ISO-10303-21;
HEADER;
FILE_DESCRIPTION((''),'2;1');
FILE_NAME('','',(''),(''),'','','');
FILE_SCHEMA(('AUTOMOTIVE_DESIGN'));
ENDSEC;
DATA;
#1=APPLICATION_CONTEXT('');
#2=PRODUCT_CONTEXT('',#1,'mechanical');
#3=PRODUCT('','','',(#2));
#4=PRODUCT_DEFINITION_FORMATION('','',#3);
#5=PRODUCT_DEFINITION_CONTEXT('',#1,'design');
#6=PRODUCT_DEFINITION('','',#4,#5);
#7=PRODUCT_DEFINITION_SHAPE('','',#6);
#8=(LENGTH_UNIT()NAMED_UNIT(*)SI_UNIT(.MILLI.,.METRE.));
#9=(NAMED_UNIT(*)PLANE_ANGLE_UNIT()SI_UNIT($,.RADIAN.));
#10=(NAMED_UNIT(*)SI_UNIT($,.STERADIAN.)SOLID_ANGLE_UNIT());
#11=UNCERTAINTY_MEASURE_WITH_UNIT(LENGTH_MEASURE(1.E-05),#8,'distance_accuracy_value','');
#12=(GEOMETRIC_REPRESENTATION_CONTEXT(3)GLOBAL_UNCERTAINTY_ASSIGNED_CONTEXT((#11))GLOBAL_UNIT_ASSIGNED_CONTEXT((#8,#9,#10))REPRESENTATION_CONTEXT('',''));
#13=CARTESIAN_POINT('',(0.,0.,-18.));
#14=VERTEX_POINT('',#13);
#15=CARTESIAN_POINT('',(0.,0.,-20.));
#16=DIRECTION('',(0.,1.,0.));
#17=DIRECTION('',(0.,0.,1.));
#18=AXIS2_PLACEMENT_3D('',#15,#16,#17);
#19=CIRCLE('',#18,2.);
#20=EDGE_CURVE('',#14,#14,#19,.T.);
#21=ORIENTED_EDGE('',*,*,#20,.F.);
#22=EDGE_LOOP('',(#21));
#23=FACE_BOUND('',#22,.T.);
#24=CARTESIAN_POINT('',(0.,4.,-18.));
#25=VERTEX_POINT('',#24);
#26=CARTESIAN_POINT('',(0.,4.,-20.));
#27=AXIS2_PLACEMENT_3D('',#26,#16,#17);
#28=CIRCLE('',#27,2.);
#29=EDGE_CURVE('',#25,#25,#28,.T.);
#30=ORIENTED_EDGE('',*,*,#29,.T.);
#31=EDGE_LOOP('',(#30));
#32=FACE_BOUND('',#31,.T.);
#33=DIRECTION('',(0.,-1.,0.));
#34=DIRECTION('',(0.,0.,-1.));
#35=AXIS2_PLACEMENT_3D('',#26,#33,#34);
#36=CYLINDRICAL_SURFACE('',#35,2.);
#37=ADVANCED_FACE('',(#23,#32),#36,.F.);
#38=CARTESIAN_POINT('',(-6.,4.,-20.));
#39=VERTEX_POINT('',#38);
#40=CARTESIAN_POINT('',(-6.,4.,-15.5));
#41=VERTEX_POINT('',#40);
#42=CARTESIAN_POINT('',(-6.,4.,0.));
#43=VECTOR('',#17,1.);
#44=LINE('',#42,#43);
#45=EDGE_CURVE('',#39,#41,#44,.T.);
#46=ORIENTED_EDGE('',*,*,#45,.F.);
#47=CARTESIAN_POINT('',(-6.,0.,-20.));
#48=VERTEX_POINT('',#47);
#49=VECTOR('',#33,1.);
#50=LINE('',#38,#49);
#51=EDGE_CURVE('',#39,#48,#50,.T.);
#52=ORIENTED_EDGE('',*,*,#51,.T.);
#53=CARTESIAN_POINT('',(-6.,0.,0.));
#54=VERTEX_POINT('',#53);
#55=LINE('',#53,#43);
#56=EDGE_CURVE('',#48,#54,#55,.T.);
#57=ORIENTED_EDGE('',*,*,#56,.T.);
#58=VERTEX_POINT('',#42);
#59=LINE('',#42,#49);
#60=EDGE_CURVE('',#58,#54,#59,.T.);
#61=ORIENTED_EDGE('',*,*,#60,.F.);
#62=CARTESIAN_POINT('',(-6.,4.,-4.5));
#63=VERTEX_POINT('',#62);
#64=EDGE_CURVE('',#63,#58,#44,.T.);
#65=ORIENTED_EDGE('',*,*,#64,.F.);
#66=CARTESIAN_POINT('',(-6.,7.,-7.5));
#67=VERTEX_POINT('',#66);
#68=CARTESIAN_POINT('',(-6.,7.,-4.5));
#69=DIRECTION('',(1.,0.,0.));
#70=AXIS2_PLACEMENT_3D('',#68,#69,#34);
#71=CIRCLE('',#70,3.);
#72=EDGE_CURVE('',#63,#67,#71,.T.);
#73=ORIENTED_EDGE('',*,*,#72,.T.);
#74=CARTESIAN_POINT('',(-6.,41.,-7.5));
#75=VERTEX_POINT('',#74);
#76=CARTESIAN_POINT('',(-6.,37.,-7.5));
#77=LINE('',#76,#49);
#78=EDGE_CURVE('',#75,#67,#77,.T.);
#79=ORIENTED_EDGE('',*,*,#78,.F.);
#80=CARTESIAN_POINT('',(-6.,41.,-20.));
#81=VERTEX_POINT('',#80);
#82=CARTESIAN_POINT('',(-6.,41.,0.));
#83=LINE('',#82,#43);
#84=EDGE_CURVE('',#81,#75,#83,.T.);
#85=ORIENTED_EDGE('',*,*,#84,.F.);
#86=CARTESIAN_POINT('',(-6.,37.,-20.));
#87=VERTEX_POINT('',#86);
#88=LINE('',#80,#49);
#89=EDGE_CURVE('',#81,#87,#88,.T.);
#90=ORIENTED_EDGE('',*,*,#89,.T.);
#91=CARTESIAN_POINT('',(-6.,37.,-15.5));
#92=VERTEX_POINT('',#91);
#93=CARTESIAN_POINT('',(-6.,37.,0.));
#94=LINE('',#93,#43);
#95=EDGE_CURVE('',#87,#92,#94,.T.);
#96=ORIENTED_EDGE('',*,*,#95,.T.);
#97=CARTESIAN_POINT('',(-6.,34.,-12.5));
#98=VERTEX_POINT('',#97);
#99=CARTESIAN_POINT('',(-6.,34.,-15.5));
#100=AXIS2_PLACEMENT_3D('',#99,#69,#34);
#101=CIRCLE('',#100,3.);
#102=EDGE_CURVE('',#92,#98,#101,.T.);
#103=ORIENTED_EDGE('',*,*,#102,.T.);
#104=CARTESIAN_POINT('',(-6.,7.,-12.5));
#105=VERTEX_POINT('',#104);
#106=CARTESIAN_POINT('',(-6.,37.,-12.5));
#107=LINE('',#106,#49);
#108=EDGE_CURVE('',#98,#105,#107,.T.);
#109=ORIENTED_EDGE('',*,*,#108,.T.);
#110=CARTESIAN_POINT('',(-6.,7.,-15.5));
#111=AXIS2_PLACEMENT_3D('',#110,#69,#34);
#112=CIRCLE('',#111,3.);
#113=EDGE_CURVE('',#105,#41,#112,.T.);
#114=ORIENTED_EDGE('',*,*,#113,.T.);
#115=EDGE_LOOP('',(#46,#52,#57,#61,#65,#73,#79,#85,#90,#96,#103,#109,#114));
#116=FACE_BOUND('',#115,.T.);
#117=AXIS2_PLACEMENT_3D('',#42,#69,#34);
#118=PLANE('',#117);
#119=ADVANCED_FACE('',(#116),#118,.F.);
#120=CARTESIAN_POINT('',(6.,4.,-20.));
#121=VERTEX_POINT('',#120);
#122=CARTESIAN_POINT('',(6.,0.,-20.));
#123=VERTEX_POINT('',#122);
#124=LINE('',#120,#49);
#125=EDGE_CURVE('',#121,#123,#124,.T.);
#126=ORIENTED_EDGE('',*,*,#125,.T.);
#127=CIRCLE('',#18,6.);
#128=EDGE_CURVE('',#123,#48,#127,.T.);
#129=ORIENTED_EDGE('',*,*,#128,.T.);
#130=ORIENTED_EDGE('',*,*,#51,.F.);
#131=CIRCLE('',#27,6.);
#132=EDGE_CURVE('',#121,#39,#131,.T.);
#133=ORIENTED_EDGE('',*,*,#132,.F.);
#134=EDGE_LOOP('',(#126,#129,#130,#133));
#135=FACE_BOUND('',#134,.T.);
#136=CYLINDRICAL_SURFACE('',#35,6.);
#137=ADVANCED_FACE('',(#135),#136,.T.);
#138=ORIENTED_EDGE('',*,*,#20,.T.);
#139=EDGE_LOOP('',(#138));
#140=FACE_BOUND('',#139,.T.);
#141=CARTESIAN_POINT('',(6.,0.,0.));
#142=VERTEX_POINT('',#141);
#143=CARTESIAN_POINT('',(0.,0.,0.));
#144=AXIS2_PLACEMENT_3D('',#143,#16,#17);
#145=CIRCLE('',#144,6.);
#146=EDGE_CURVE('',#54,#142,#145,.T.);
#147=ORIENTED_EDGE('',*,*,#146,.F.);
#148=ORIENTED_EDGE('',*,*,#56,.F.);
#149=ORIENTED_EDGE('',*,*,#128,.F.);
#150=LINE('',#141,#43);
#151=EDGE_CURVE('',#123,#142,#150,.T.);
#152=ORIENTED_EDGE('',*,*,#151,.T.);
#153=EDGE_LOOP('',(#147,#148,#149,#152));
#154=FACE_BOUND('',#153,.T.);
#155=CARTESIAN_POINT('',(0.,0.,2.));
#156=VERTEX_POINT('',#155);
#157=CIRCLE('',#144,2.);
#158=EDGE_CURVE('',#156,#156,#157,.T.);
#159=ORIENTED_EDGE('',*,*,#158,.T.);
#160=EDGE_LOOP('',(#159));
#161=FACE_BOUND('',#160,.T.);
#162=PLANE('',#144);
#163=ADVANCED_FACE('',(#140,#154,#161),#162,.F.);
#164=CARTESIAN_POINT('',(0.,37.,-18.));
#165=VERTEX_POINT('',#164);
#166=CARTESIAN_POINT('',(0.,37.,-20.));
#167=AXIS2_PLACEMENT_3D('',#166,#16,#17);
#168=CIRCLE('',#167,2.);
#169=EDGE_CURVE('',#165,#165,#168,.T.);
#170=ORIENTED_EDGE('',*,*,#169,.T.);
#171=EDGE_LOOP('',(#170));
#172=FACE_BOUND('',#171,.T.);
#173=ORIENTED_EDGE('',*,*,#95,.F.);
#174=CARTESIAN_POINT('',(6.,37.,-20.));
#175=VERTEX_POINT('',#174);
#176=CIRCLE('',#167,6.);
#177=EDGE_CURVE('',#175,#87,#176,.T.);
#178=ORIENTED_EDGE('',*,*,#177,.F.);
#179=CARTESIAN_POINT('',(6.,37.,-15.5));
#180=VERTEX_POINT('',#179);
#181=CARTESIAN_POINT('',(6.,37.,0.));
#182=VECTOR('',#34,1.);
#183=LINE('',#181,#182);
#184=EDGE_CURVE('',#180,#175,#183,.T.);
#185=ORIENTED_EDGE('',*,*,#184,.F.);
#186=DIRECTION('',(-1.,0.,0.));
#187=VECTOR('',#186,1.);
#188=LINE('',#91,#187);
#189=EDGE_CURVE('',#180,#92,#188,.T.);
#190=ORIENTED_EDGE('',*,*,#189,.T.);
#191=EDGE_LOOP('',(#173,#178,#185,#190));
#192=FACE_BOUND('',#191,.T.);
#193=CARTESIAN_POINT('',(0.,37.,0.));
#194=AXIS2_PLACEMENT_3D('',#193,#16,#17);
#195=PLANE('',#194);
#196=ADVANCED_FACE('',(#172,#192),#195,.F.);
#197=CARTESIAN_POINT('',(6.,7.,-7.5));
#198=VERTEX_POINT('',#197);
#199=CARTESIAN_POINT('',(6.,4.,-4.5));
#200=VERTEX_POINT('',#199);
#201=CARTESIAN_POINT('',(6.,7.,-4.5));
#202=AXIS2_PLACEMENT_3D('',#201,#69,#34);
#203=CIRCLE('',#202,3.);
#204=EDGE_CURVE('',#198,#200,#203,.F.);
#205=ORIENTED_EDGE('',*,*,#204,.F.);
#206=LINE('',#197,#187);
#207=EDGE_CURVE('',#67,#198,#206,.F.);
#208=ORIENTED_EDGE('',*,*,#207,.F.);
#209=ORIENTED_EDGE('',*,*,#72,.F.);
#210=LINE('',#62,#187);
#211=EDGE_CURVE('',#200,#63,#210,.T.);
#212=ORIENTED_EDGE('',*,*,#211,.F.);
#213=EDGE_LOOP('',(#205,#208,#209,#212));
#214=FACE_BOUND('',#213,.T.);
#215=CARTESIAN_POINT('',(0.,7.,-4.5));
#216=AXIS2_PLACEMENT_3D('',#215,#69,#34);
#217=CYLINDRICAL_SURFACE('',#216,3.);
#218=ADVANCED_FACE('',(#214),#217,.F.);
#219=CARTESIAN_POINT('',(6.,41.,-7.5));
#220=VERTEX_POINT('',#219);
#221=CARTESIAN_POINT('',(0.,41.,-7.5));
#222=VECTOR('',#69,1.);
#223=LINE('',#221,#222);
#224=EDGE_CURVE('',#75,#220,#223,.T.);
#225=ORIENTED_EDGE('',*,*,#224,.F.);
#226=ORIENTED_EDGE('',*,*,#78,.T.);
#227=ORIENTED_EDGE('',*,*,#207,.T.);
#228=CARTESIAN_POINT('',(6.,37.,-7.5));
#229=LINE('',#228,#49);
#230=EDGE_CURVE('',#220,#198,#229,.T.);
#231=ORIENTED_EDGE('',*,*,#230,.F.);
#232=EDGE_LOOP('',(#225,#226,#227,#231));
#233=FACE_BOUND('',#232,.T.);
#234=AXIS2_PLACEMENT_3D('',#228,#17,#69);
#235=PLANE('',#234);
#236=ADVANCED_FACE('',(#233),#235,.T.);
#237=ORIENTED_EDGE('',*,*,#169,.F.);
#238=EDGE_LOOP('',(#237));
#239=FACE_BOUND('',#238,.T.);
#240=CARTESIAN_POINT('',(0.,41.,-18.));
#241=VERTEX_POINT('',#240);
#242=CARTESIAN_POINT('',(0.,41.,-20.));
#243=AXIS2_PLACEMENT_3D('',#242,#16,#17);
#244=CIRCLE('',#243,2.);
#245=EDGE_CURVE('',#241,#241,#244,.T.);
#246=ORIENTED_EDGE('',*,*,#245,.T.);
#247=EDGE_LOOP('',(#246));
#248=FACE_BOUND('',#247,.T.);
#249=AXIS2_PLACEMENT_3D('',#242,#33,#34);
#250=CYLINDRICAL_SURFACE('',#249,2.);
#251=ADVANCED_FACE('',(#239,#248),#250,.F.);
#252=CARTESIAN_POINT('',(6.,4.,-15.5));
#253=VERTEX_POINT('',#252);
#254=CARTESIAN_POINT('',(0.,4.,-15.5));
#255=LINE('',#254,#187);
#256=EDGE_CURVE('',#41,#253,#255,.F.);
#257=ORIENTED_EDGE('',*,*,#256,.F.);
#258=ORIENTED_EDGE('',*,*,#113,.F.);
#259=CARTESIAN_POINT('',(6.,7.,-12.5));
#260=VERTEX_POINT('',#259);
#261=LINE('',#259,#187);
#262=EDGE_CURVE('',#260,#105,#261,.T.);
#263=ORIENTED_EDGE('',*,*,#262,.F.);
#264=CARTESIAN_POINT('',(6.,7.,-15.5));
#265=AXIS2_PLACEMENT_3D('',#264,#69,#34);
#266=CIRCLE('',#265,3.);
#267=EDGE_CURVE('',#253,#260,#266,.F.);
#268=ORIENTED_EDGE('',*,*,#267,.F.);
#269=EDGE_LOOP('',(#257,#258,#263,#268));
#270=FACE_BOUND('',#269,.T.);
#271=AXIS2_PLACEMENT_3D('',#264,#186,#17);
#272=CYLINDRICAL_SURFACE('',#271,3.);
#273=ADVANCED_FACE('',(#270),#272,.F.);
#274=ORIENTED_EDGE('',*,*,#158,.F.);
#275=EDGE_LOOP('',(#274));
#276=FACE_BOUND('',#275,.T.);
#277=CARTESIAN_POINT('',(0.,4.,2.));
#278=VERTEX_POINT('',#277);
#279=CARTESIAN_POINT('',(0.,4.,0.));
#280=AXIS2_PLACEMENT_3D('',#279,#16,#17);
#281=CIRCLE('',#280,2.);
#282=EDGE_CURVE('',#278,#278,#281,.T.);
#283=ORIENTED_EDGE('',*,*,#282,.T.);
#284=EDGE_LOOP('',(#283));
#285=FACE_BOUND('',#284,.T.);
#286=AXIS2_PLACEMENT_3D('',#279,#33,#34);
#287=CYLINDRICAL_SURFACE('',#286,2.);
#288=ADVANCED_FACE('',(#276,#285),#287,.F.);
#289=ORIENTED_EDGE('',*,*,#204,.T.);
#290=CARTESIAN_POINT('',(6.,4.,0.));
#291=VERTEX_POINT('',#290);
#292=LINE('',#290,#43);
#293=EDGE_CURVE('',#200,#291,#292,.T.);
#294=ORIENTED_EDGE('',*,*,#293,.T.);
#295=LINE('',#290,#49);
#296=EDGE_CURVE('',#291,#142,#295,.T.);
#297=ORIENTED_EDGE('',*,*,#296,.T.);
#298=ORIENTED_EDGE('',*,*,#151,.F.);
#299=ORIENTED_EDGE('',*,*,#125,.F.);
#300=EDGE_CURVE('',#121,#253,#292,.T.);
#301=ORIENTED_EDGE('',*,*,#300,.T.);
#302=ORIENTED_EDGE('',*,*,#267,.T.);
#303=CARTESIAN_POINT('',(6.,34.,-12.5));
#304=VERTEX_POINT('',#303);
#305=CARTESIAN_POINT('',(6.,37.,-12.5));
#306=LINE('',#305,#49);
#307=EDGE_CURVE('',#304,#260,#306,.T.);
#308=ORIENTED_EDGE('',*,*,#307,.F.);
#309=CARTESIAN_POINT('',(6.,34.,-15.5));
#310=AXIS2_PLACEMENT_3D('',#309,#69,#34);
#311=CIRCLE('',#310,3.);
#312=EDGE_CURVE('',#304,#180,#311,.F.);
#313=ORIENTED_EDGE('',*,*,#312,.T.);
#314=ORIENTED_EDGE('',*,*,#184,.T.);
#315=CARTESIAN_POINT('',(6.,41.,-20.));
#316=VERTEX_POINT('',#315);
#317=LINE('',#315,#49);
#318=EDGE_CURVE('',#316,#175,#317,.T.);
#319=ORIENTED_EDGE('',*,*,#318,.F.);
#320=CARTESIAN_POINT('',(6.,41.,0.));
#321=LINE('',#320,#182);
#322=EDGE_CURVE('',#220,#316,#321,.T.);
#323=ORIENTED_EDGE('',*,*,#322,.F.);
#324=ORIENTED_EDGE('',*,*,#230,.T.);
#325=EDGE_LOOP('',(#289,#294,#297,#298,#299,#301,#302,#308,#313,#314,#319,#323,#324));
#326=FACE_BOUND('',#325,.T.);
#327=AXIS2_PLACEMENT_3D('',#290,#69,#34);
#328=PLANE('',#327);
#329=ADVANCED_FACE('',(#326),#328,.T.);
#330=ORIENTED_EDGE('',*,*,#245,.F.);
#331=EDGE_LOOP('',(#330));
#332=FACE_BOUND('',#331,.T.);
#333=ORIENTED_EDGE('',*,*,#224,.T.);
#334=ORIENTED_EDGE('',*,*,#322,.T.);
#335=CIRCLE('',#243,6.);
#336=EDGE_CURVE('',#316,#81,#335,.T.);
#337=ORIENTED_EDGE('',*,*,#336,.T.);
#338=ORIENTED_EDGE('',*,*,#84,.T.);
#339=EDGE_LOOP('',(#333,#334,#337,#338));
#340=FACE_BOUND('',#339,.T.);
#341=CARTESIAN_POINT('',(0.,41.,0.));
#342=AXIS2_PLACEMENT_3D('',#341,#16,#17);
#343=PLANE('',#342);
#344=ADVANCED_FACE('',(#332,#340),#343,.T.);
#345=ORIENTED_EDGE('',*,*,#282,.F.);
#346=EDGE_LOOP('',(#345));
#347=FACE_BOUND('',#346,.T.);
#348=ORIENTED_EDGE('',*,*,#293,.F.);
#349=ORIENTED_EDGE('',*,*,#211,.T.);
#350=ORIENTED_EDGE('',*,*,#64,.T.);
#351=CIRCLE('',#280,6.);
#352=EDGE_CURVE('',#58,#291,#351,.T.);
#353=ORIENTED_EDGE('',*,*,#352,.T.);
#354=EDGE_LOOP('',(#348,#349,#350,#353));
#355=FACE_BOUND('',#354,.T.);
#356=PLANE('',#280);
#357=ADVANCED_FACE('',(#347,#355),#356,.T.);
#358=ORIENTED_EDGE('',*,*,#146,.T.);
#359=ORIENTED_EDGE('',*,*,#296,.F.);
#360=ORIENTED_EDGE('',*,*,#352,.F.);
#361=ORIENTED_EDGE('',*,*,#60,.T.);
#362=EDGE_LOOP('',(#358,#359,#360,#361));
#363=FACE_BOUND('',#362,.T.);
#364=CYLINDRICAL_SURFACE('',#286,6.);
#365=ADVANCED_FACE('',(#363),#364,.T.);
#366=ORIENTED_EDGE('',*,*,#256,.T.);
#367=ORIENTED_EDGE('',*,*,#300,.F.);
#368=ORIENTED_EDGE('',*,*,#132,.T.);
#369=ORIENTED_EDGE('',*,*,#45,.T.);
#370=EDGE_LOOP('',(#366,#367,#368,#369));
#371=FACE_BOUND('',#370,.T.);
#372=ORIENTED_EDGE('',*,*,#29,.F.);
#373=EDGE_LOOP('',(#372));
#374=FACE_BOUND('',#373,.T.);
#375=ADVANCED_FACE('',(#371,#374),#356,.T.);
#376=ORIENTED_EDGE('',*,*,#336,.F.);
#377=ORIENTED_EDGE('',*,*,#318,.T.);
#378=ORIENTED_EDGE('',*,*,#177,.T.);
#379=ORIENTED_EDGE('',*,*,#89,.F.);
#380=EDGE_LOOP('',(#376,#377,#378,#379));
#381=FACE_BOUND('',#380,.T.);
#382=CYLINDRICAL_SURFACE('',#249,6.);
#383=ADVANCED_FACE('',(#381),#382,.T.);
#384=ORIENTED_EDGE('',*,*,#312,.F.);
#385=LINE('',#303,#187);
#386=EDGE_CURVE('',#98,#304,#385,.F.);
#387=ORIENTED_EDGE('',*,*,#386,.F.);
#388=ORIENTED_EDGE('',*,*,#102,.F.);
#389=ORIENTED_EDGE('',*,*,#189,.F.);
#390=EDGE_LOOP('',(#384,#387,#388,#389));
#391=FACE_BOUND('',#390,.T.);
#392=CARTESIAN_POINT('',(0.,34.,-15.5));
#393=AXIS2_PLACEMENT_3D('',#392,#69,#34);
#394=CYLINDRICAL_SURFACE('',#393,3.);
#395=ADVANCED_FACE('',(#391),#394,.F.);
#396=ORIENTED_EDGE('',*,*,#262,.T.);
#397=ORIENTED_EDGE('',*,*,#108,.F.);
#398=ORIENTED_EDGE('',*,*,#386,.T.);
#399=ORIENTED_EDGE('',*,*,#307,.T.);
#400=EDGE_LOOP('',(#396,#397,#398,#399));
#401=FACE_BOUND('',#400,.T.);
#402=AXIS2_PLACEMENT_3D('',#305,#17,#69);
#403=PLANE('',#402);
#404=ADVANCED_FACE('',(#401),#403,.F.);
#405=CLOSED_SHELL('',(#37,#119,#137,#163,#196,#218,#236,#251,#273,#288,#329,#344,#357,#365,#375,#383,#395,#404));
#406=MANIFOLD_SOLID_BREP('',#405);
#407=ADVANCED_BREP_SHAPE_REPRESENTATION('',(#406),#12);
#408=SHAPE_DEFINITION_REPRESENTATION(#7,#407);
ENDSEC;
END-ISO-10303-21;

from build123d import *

# Parameters (mm, degrees)
SKETCH1_R           = 2
BOSS_EXTRUDE1_DEPTH = 4
SKETCH2_W           = 12
SKETCH2_H           = 5
BOSS_EXTRUDE2_DEPTH = 33
SKETCH3_R           = 2
SKETCH3_W           = 12
SKETCH3_H           = 5
BOSS_EXTRUDE3_DEPTH = 4
FILLET1_R           = 3


with BuildPart() as part:
    # Sketch1 → Boss-Extrude1 (new body)
    with BuildSketch(Plane(origin=(0, 0, 0), x_dir=(1, 0, 0), z_dir=(0, 1, 0))):
        with BuildLine():
            ThreePointArc((6, 20), (0, 26), (-6, 20))
            Line((-6, 20), (-6, 0))
            ThreePointArc((-6, 0), (0, -6), (6, 0))
            Line((6, 0), (6, 20))
        make_face()
        with Locations(Location((0, 20, 0), (0, 0, 270))):
            Circle(SKETCH1_R, mode=Mode.SUBTRACT)
        with Locations(Location((0, 0, 0), (0, 0, 270))):
            Circle(SKETCH1_R, mode=Mode.SUBTRACT)
    extrude(amount=BOSS_EXTRUDE1_DEPTH)

    # Sketch2 → Boss-Extrude2 (add)
    with BuildSketch(Plane(origin=(0, 4, 0), x_dir=(1, 0, 0), z_dir=(0, 1, 0))):
        with Locations((0, 10)):
            Rectangle(SKETCH2_W, SKETCH2_H)
    extrude(amount=BOSS_EXTRUDE2_DEPTH)

    # Sketch3 → Boss-Extrude3 (add)
    # profile 1 of 2: a face of its own
    with BuildSketch(Plane(origin=(0, 37, 0), x_dir=(1, 0, 0), z_dir=(0, 1, 0))):
        with BuildLine():
            Line((6, 12.5), (6, 20))
            ThreePointArc((6, 20), (0, 26), (-6, 20))
            Line((-6, 20), (-6, 12.5))
            Line((-6, 12.5), (6, 12.5))
        make_face()
        with Locations(Location((0, 20, 0), (0, 0, 270))):
            Circle(SKETCH3_R, mode=Mode.SUBTRACT)
    # profile 2 of 2: a face of its own
    with BuildSketch(Plane(origin=(0, 37, 0), x_dir=(1, 0, 0), z_dir=(0, 1, 0))):
        with Locations((0, 10)):
            Rectangle(SKETCH3_W, SKETCH3_H)
    extrude(amount=BOSS_EXTRUDE3_DEPTH)

    # Fillet1
    fillet1_edges = [part.edges().sort_by_distance(p)[0] for p in [
        (0, 4, -12.5),
        (0, 37, -12.5),
        (0, 4, -7.5),
    ]]
    fillet(fillet1_edges, radius=FILLET1_R)


solid = part.part
